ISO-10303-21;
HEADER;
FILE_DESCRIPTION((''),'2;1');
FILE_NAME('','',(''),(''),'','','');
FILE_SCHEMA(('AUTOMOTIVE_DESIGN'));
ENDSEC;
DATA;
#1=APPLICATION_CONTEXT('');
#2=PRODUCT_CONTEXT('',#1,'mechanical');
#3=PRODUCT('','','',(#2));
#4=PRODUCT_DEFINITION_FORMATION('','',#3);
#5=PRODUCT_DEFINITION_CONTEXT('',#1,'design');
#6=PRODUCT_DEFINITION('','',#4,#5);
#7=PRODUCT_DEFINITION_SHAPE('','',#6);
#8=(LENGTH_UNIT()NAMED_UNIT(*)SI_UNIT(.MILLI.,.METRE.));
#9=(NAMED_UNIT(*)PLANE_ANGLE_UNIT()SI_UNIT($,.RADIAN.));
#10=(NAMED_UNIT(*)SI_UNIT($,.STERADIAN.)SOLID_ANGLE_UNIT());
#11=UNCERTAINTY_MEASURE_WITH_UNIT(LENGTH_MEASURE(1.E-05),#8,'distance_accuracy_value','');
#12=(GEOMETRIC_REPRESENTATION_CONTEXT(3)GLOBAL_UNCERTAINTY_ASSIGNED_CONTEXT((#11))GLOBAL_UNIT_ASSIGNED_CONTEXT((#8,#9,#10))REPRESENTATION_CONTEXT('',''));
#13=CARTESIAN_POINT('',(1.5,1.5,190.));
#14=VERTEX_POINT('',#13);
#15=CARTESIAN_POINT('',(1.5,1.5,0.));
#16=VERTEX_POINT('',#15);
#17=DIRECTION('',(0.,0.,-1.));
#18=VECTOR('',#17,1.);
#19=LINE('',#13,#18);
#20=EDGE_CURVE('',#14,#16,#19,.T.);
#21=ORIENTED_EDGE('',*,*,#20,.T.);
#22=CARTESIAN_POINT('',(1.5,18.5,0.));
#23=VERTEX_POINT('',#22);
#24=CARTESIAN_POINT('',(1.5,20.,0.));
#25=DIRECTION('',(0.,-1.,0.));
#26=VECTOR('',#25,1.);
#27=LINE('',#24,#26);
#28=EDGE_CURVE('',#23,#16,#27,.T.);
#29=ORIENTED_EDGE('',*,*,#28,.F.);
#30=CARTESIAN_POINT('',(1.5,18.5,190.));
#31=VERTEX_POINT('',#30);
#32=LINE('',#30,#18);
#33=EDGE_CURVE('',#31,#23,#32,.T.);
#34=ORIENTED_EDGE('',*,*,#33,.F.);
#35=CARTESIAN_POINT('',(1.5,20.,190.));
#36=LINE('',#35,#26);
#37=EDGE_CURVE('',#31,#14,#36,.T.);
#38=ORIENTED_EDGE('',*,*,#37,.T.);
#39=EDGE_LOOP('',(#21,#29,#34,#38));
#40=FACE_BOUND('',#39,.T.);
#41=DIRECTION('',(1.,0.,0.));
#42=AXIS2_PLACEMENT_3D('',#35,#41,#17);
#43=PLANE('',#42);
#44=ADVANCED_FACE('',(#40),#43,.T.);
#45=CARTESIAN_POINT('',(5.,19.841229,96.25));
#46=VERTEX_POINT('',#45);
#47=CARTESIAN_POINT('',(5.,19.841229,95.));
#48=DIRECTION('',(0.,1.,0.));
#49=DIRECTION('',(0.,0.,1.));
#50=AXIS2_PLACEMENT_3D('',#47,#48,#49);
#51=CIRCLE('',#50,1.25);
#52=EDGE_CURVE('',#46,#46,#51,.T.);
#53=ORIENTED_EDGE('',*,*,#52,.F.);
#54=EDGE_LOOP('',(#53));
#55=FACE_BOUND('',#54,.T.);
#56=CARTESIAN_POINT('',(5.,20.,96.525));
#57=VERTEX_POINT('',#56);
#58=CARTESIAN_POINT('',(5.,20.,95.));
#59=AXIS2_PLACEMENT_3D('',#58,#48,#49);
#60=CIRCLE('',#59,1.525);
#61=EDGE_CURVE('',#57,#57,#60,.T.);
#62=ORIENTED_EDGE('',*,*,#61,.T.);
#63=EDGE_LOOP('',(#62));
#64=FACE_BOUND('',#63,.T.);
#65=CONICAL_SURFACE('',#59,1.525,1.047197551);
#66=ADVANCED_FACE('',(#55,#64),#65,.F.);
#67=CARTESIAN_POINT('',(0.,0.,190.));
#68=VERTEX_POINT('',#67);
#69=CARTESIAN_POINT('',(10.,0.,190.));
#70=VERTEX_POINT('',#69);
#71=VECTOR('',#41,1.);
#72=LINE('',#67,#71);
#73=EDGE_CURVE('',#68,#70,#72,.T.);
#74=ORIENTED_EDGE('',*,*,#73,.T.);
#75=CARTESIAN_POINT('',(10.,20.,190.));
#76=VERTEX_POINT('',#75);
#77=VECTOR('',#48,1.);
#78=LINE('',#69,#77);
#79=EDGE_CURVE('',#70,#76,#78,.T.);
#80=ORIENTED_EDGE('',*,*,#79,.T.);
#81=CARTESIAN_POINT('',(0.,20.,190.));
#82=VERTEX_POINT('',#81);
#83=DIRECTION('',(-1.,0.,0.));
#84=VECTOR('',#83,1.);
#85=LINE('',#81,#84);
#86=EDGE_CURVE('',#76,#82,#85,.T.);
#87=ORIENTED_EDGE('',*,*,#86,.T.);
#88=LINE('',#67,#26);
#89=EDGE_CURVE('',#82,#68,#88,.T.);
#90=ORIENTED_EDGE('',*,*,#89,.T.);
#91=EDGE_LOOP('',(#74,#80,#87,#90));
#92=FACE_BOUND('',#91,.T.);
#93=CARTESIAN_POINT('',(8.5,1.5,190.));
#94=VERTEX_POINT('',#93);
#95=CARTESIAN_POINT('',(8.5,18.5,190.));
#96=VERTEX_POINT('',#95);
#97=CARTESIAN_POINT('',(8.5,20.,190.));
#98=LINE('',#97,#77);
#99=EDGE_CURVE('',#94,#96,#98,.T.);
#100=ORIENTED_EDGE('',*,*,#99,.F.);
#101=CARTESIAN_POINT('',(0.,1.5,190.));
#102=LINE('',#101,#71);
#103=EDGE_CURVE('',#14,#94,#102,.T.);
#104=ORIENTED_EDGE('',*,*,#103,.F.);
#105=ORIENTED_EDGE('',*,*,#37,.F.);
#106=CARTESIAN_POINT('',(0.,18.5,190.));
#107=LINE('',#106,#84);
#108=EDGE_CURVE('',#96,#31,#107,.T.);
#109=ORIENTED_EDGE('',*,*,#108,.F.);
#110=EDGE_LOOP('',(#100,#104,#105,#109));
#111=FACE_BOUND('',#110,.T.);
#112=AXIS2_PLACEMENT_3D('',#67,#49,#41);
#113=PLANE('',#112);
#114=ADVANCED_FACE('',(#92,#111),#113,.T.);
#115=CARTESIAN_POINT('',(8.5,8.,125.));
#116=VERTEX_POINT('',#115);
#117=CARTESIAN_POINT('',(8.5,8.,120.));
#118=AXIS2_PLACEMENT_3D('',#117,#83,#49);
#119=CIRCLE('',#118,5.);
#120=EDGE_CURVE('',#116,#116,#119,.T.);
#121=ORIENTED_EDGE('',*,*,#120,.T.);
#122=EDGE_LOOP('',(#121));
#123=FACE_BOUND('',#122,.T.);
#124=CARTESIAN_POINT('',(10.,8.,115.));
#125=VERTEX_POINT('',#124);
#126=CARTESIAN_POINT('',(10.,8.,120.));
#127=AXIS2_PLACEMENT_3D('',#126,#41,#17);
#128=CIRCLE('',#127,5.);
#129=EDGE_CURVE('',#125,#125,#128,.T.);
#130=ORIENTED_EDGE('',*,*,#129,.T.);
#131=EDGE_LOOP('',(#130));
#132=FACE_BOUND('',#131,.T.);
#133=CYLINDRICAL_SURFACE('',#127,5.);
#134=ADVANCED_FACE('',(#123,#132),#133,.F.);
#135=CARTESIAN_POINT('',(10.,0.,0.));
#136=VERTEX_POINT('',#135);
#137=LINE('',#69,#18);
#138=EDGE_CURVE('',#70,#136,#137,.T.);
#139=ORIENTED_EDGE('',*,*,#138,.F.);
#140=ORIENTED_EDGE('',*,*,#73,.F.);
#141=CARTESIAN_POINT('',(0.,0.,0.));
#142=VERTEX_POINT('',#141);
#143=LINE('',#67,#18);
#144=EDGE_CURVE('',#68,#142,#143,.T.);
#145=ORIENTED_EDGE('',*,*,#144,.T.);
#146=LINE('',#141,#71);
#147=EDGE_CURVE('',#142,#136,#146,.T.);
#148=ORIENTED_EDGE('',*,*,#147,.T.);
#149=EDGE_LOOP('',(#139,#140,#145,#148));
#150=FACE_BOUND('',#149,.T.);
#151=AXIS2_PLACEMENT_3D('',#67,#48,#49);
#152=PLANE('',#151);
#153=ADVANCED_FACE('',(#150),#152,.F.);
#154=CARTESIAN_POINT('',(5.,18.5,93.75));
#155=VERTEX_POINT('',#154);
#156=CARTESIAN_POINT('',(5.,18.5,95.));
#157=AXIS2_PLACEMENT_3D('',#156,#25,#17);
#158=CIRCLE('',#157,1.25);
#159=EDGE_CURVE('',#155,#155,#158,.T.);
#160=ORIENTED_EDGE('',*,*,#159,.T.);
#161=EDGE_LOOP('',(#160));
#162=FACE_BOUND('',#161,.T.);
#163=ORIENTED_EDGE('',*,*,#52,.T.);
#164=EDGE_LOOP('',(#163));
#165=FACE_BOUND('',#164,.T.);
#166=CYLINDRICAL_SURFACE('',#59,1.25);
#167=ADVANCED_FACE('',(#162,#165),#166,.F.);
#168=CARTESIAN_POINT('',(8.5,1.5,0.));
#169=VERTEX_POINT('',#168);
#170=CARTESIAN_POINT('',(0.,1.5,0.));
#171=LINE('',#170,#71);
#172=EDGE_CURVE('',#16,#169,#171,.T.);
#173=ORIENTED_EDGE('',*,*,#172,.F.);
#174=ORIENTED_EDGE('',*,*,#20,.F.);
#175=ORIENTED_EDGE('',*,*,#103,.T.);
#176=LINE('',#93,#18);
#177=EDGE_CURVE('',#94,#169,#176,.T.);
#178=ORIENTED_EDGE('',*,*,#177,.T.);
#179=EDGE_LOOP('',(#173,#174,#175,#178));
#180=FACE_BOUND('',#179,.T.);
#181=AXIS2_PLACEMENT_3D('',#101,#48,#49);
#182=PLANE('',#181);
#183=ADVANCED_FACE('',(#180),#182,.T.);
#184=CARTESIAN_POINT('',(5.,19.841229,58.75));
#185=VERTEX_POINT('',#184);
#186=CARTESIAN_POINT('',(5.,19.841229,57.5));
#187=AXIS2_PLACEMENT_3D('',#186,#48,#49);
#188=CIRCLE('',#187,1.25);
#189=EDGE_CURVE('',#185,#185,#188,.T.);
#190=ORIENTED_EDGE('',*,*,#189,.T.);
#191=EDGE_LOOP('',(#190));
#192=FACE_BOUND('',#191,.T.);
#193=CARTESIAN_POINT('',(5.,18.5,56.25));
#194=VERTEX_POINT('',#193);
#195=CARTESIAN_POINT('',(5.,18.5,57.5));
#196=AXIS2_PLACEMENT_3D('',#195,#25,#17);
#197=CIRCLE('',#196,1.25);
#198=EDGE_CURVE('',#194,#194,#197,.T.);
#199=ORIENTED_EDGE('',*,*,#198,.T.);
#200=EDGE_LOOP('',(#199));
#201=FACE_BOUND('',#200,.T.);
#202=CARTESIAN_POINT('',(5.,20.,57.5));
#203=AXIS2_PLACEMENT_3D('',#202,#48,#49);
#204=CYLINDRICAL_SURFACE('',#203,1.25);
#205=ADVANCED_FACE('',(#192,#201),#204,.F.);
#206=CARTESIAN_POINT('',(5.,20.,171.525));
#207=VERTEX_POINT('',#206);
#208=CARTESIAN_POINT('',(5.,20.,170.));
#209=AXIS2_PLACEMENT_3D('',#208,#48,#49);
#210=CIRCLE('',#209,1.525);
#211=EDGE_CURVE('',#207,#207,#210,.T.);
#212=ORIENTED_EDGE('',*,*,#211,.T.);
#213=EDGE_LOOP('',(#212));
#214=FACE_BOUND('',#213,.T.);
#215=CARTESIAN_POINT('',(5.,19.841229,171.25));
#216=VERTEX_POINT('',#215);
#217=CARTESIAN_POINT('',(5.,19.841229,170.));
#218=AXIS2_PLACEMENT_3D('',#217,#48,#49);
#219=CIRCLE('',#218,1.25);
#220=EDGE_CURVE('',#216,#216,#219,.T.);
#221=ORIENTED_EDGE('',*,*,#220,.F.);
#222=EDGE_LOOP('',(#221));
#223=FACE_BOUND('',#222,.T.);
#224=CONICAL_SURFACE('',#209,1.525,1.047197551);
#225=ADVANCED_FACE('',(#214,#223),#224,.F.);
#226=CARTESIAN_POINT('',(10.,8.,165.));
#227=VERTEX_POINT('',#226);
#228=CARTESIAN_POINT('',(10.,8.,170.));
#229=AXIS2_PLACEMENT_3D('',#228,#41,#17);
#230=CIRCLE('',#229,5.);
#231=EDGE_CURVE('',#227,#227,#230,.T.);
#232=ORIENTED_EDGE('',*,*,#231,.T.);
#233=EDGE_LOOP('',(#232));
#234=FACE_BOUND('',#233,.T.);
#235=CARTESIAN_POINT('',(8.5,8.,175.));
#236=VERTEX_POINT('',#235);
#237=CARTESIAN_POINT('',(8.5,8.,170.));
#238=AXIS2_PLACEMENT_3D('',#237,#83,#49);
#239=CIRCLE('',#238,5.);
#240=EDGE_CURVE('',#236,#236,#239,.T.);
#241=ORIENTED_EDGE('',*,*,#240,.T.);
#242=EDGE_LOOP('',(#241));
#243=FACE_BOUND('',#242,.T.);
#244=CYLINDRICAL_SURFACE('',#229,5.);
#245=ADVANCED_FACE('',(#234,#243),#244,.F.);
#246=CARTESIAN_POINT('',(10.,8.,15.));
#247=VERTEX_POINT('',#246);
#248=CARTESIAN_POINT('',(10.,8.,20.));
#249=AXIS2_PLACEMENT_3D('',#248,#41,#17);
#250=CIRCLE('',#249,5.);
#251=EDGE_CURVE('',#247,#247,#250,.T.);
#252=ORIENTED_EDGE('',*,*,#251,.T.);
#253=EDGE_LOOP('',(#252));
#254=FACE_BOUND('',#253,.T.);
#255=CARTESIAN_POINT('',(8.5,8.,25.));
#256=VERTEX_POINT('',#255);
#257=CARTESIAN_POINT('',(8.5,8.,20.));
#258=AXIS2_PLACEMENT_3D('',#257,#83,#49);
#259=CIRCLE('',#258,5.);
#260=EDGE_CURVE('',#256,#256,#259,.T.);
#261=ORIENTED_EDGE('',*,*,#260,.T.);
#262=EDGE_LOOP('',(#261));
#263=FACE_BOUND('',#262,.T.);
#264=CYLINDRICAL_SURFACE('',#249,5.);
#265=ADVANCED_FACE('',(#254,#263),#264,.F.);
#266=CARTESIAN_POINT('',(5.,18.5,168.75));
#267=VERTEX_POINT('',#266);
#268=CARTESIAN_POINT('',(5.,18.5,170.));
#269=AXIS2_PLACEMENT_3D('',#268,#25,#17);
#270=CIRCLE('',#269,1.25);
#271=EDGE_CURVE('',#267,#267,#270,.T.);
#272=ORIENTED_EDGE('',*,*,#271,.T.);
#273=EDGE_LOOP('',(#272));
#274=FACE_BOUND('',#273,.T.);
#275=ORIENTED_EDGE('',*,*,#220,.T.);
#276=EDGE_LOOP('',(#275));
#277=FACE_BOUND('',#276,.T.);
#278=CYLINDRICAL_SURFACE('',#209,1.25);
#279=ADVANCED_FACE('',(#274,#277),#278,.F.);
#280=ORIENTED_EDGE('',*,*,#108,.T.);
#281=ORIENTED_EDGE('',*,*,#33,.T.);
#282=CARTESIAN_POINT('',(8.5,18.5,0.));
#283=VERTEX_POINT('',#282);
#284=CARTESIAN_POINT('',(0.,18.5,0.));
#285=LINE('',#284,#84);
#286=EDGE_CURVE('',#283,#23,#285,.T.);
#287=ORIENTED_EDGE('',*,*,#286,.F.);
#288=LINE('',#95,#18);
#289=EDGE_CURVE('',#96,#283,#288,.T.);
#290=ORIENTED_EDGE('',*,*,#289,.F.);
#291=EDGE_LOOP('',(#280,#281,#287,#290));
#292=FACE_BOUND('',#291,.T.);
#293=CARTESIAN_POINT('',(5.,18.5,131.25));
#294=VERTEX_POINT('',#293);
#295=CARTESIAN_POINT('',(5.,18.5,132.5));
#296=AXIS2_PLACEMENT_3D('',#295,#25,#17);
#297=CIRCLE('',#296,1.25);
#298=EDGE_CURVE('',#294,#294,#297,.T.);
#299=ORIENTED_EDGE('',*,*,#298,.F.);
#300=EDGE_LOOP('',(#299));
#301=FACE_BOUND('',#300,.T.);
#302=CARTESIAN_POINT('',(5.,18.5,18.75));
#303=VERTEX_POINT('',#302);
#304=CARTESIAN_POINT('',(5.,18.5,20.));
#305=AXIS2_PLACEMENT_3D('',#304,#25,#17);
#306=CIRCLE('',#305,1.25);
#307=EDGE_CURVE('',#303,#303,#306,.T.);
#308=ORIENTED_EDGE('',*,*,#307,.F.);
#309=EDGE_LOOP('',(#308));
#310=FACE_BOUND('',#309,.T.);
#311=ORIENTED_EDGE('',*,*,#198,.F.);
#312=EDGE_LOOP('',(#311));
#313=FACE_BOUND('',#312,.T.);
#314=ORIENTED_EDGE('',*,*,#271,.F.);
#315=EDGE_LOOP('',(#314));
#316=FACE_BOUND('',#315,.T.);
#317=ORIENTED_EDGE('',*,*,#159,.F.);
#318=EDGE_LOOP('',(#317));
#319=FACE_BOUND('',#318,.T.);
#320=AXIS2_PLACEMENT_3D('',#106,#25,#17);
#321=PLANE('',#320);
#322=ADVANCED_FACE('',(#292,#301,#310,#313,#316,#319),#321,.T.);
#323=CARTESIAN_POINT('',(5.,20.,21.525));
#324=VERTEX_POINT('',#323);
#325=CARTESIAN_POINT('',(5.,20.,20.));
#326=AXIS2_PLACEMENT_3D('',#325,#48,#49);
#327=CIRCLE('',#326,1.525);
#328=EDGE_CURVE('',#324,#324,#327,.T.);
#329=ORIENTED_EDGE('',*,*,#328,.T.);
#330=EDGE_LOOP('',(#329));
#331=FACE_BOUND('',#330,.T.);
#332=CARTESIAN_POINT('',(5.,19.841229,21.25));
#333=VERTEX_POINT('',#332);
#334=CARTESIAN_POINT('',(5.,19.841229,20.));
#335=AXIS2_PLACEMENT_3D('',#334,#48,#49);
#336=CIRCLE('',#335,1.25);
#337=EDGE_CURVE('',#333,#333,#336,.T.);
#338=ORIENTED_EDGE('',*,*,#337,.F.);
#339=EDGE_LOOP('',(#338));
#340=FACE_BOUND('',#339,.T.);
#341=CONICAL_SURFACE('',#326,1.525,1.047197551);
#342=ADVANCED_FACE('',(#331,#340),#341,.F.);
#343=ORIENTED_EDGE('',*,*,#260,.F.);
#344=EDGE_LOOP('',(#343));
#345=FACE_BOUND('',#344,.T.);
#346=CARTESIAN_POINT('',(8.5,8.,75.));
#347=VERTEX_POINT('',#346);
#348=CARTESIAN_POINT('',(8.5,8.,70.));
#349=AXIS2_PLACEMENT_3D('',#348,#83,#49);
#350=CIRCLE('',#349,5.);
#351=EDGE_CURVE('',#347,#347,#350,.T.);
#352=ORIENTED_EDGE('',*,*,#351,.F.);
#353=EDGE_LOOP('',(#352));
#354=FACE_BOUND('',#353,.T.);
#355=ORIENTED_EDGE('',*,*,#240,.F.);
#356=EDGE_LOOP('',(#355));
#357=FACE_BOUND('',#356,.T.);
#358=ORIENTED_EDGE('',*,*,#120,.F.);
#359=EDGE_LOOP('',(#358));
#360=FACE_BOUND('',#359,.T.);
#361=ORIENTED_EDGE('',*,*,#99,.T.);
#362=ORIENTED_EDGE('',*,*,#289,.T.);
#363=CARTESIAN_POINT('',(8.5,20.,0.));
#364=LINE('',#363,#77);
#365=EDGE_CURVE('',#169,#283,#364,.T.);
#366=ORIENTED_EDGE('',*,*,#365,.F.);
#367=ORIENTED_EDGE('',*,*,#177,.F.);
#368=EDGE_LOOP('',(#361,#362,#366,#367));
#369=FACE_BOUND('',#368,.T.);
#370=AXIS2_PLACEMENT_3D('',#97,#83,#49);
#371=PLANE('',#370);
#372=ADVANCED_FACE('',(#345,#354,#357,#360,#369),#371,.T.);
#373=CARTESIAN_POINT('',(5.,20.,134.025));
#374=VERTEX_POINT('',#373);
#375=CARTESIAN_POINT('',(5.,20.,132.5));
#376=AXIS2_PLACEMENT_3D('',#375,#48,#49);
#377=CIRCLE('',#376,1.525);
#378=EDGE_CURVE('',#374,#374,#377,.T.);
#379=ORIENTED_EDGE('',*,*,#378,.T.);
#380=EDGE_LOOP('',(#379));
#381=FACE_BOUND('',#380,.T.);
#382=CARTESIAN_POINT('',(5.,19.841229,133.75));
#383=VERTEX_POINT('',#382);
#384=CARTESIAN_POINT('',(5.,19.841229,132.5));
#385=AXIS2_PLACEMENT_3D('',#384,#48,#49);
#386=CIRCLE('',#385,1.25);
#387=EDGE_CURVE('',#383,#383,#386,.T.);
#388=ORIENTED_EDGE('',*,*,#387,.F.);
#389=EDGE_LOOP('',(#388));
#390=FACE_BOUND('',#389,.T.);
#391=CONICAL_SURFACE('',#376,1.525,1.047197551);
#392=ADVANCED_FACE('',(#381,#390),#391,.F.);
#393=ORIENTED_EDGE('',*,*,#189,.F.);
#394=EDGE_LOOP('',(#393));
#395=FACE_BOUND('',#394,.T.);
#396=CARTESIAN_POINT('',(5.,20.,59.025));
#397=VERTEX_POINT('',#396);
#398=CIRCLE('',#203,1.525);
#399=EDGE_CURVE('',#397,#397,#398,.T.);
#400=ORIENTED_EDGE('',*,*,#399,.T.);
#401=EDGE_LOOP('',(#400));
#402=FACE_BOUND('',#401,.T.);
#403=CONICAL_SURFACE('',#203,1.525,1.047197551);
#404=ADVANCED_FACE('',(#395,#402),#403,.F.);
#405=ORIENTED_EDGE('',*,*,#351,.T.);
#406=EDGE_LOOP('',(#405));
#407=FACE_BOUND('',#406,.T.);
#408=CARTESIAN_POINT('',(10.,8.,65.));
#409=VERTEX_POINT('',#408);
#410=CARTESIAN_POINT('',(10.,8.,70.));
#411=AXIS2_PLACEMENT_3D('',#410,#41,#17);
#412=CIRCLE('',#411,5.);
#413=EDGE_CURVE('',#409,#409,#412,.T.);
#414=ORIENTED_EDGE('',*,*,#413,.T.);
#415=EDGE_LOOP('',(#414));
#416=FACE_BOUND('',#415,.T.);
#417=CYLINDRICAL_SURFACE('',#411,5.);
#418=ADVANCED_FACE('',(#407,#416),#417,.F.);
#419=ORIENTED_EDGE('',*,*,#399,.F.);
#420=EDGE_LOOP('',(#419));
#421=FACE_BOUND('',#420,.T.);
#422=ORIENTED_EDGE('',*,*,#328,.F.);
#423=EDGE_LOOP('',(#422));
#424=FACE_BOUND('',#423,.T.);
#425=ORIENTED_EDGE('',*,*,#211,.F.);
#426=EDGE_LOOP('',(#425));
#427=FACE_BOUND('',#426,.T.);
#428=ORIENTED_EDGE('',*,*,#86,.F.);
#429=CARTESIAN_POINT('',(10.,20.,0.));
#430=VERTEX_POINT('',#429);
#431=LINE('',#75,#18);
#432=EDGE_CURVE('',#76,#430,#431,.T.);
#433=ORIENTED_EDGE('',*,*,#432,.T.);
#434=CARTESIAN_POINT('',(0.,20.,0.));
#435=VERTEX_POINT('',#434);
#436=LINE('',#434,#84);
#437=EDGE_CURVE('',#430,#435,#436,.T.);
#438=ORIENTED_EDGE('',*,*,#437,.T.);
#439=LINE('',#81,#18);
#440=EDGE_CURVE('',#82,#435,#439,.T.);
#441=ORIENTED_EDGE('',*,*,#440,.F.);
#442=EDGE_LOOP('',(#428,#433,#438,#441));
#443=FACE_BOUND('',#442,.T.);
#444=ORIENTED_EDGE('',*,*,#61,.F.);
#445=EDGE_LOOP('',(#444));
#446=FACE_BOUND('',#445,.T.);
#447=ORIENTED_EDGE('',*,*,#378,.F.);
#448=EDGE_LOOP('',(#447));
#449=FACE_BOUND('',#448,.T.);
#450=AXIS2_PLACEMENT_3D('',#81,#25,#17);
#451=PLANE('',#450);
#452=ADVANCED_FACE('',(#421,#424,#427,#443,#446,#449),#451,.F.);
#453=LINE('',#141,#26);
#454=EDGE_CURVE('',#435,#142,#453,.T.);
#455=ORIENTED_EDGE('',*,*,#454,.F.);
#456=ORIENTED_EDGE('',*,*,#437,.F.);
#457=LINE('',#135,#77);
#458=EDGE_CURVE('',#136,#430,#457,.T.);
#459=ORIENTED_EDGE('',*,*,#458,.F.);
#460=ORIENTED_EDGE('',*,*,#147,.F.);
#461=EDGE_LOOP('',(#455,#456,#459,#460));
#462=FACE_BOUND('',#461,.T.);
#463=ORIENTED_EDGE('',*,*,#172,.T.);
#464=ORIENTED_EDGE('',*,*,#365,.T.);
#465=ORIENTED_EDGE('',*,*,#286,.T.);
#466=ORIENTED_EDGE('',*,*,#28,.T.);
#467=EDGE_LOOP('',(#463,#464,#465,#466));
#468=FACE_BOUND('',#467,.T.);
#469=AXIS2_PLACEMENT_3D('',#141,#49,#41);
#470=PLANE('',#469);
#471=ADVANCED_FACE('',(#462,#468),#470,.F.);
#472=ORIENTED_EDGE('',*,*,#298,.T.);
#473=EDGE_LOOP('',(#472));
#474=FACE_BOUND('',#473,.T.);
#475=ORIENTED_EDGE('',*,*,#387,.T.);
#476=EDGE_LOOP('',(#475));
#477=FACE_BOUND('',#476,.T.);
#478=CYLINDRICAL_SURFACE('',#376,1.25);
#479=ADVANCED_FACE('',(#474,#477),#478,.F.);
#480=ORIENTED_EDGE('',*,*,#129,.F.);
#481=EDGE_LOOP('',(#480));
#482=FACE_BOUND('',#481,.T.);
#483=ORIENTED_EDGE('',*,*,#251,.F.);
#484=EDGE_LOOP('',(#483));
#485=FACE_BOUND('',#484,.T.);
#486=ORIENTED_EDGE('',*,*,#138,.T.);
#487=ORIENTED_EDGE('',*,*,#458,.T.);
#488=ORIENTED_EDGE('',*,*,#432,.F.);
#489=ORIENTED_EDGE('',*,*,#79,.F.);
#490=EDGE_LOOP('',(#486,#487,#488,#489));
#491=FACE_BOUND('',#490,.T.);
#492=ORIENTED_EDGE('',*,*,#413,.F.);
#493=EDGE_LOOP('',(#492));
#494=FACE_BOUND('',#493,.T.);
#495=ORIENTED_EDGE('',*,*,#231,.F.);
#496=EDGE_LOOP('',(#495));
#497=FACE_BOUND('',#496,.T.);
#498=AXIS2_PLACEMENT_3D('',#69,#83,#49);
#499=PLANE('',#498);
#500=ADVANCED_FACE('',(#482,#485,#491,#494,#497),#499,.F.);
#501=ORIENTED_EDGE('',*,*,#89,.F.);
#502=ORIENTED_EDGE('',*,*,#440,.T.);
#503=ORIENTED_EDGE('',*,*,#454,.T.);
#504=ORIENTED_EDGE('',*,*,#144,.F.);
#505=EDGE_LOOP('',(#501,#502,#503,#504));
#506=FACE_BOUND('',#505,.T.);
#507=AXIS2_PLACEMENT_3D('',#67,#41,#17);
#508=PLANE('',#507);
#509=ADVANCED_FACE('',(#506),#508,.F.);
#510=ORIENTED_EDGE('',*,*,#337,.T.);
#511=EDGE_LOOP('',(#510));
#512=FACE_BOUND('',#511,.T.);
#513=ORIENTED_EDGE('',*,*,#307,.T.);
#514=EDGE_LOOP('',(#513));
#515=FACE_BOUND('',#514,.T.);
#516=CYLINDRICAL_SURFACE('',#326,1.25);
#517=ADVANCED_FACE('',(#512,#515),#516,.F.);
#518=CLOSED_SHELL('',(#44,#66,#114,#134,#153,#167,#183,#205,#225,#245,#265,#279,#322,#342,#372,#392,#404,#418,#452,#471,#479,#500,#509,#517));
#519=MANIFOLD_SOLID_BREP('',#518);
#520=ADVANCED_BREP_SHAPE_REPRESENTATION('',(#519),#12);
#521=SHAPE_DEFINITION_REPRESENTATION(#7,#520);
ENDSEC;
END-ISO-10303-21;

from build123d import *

# Parameters (mm, degrees)
SKETCH_1_W                  = 10
SKETCH_1_H                  = 20
SKETCH_1_W_2                = 7
SKETCH_1_H_2                = 17
EXTRUDE_1_DEPTH             = 190
HOLE_WIZARD_M31_D           = 2.5
HOLE_WIZARD_M31_DEPTH       = 8.5
HOLE_WIZARD_M31_CSINK_D     = 3.05
HOLE_WIZARD_M31_CSINK_ANGLE = 120
HOLE_WIZARD_M31_TIP         = 0.751075774
HOLE_WIZARD_2_D             = 10
HOLE_WIZARD_2_DEPTH         = 3


with BuildPart() as part:
    # Эскиз1 → Вытянуть-Тонкостенный1 (new body)
    with BuildSketch(Plane.XY):
        with Locations((5, 10)):
            Rectangle(SKETCH_1_W, SKETCH_1_H)
        with Locations((5, 10)):
            Rectangle(SKETCH_1_W_2, SKETCH_1_H_2, mode=Mode.SUBTRACT)
    extrude(amount=EXTRUDE_1_DEPTH)

    # Отверстие обработанное метчиком M31
    with Locations(Plane(origin=(0, 20, 0), x_dir=(-1, 0, 0), z_dir=(0, 1, 0))):
        with Locations((-5, 20), (-5, 57.5), (-5, 95), (-5, 132.5), (-5, 170)):
            CounterSinkHole(HOLE_WIZARD_M31_D / 2, HOLE_WIZARD_M31_CSINK_D / 2, depth=HOLE_WIZARD_M31_DEPTH, counter_sink_angle=HOLE_WIZARD_M31_CSINK_ANGLE)
            with Locations((0, 0, -(HOLE_WIZARD_M31_DEPTH + HOLE_WIZARD_M31_TIP / 2))):  # 118° drill point
                Cone(0, HOLE_WIZARD_M31_D / 2, HOLE_WIZARD_M31_TIP, mode=Mode.SUBTRACT)

    # Отверстие2
    with Locations(Plane(origin=(10, 0, 0), x_dir=(0, 0, -1), z_dir=(1, 0, 0))):
        with Locations((-170, 8), (-120, 8), (-70, 8), (-20, 8)):
            Hole(HOLE_WIZARD_2_D / 2, depth=HOLE_WIZARD_2_DEPTH)


solid = part.part
